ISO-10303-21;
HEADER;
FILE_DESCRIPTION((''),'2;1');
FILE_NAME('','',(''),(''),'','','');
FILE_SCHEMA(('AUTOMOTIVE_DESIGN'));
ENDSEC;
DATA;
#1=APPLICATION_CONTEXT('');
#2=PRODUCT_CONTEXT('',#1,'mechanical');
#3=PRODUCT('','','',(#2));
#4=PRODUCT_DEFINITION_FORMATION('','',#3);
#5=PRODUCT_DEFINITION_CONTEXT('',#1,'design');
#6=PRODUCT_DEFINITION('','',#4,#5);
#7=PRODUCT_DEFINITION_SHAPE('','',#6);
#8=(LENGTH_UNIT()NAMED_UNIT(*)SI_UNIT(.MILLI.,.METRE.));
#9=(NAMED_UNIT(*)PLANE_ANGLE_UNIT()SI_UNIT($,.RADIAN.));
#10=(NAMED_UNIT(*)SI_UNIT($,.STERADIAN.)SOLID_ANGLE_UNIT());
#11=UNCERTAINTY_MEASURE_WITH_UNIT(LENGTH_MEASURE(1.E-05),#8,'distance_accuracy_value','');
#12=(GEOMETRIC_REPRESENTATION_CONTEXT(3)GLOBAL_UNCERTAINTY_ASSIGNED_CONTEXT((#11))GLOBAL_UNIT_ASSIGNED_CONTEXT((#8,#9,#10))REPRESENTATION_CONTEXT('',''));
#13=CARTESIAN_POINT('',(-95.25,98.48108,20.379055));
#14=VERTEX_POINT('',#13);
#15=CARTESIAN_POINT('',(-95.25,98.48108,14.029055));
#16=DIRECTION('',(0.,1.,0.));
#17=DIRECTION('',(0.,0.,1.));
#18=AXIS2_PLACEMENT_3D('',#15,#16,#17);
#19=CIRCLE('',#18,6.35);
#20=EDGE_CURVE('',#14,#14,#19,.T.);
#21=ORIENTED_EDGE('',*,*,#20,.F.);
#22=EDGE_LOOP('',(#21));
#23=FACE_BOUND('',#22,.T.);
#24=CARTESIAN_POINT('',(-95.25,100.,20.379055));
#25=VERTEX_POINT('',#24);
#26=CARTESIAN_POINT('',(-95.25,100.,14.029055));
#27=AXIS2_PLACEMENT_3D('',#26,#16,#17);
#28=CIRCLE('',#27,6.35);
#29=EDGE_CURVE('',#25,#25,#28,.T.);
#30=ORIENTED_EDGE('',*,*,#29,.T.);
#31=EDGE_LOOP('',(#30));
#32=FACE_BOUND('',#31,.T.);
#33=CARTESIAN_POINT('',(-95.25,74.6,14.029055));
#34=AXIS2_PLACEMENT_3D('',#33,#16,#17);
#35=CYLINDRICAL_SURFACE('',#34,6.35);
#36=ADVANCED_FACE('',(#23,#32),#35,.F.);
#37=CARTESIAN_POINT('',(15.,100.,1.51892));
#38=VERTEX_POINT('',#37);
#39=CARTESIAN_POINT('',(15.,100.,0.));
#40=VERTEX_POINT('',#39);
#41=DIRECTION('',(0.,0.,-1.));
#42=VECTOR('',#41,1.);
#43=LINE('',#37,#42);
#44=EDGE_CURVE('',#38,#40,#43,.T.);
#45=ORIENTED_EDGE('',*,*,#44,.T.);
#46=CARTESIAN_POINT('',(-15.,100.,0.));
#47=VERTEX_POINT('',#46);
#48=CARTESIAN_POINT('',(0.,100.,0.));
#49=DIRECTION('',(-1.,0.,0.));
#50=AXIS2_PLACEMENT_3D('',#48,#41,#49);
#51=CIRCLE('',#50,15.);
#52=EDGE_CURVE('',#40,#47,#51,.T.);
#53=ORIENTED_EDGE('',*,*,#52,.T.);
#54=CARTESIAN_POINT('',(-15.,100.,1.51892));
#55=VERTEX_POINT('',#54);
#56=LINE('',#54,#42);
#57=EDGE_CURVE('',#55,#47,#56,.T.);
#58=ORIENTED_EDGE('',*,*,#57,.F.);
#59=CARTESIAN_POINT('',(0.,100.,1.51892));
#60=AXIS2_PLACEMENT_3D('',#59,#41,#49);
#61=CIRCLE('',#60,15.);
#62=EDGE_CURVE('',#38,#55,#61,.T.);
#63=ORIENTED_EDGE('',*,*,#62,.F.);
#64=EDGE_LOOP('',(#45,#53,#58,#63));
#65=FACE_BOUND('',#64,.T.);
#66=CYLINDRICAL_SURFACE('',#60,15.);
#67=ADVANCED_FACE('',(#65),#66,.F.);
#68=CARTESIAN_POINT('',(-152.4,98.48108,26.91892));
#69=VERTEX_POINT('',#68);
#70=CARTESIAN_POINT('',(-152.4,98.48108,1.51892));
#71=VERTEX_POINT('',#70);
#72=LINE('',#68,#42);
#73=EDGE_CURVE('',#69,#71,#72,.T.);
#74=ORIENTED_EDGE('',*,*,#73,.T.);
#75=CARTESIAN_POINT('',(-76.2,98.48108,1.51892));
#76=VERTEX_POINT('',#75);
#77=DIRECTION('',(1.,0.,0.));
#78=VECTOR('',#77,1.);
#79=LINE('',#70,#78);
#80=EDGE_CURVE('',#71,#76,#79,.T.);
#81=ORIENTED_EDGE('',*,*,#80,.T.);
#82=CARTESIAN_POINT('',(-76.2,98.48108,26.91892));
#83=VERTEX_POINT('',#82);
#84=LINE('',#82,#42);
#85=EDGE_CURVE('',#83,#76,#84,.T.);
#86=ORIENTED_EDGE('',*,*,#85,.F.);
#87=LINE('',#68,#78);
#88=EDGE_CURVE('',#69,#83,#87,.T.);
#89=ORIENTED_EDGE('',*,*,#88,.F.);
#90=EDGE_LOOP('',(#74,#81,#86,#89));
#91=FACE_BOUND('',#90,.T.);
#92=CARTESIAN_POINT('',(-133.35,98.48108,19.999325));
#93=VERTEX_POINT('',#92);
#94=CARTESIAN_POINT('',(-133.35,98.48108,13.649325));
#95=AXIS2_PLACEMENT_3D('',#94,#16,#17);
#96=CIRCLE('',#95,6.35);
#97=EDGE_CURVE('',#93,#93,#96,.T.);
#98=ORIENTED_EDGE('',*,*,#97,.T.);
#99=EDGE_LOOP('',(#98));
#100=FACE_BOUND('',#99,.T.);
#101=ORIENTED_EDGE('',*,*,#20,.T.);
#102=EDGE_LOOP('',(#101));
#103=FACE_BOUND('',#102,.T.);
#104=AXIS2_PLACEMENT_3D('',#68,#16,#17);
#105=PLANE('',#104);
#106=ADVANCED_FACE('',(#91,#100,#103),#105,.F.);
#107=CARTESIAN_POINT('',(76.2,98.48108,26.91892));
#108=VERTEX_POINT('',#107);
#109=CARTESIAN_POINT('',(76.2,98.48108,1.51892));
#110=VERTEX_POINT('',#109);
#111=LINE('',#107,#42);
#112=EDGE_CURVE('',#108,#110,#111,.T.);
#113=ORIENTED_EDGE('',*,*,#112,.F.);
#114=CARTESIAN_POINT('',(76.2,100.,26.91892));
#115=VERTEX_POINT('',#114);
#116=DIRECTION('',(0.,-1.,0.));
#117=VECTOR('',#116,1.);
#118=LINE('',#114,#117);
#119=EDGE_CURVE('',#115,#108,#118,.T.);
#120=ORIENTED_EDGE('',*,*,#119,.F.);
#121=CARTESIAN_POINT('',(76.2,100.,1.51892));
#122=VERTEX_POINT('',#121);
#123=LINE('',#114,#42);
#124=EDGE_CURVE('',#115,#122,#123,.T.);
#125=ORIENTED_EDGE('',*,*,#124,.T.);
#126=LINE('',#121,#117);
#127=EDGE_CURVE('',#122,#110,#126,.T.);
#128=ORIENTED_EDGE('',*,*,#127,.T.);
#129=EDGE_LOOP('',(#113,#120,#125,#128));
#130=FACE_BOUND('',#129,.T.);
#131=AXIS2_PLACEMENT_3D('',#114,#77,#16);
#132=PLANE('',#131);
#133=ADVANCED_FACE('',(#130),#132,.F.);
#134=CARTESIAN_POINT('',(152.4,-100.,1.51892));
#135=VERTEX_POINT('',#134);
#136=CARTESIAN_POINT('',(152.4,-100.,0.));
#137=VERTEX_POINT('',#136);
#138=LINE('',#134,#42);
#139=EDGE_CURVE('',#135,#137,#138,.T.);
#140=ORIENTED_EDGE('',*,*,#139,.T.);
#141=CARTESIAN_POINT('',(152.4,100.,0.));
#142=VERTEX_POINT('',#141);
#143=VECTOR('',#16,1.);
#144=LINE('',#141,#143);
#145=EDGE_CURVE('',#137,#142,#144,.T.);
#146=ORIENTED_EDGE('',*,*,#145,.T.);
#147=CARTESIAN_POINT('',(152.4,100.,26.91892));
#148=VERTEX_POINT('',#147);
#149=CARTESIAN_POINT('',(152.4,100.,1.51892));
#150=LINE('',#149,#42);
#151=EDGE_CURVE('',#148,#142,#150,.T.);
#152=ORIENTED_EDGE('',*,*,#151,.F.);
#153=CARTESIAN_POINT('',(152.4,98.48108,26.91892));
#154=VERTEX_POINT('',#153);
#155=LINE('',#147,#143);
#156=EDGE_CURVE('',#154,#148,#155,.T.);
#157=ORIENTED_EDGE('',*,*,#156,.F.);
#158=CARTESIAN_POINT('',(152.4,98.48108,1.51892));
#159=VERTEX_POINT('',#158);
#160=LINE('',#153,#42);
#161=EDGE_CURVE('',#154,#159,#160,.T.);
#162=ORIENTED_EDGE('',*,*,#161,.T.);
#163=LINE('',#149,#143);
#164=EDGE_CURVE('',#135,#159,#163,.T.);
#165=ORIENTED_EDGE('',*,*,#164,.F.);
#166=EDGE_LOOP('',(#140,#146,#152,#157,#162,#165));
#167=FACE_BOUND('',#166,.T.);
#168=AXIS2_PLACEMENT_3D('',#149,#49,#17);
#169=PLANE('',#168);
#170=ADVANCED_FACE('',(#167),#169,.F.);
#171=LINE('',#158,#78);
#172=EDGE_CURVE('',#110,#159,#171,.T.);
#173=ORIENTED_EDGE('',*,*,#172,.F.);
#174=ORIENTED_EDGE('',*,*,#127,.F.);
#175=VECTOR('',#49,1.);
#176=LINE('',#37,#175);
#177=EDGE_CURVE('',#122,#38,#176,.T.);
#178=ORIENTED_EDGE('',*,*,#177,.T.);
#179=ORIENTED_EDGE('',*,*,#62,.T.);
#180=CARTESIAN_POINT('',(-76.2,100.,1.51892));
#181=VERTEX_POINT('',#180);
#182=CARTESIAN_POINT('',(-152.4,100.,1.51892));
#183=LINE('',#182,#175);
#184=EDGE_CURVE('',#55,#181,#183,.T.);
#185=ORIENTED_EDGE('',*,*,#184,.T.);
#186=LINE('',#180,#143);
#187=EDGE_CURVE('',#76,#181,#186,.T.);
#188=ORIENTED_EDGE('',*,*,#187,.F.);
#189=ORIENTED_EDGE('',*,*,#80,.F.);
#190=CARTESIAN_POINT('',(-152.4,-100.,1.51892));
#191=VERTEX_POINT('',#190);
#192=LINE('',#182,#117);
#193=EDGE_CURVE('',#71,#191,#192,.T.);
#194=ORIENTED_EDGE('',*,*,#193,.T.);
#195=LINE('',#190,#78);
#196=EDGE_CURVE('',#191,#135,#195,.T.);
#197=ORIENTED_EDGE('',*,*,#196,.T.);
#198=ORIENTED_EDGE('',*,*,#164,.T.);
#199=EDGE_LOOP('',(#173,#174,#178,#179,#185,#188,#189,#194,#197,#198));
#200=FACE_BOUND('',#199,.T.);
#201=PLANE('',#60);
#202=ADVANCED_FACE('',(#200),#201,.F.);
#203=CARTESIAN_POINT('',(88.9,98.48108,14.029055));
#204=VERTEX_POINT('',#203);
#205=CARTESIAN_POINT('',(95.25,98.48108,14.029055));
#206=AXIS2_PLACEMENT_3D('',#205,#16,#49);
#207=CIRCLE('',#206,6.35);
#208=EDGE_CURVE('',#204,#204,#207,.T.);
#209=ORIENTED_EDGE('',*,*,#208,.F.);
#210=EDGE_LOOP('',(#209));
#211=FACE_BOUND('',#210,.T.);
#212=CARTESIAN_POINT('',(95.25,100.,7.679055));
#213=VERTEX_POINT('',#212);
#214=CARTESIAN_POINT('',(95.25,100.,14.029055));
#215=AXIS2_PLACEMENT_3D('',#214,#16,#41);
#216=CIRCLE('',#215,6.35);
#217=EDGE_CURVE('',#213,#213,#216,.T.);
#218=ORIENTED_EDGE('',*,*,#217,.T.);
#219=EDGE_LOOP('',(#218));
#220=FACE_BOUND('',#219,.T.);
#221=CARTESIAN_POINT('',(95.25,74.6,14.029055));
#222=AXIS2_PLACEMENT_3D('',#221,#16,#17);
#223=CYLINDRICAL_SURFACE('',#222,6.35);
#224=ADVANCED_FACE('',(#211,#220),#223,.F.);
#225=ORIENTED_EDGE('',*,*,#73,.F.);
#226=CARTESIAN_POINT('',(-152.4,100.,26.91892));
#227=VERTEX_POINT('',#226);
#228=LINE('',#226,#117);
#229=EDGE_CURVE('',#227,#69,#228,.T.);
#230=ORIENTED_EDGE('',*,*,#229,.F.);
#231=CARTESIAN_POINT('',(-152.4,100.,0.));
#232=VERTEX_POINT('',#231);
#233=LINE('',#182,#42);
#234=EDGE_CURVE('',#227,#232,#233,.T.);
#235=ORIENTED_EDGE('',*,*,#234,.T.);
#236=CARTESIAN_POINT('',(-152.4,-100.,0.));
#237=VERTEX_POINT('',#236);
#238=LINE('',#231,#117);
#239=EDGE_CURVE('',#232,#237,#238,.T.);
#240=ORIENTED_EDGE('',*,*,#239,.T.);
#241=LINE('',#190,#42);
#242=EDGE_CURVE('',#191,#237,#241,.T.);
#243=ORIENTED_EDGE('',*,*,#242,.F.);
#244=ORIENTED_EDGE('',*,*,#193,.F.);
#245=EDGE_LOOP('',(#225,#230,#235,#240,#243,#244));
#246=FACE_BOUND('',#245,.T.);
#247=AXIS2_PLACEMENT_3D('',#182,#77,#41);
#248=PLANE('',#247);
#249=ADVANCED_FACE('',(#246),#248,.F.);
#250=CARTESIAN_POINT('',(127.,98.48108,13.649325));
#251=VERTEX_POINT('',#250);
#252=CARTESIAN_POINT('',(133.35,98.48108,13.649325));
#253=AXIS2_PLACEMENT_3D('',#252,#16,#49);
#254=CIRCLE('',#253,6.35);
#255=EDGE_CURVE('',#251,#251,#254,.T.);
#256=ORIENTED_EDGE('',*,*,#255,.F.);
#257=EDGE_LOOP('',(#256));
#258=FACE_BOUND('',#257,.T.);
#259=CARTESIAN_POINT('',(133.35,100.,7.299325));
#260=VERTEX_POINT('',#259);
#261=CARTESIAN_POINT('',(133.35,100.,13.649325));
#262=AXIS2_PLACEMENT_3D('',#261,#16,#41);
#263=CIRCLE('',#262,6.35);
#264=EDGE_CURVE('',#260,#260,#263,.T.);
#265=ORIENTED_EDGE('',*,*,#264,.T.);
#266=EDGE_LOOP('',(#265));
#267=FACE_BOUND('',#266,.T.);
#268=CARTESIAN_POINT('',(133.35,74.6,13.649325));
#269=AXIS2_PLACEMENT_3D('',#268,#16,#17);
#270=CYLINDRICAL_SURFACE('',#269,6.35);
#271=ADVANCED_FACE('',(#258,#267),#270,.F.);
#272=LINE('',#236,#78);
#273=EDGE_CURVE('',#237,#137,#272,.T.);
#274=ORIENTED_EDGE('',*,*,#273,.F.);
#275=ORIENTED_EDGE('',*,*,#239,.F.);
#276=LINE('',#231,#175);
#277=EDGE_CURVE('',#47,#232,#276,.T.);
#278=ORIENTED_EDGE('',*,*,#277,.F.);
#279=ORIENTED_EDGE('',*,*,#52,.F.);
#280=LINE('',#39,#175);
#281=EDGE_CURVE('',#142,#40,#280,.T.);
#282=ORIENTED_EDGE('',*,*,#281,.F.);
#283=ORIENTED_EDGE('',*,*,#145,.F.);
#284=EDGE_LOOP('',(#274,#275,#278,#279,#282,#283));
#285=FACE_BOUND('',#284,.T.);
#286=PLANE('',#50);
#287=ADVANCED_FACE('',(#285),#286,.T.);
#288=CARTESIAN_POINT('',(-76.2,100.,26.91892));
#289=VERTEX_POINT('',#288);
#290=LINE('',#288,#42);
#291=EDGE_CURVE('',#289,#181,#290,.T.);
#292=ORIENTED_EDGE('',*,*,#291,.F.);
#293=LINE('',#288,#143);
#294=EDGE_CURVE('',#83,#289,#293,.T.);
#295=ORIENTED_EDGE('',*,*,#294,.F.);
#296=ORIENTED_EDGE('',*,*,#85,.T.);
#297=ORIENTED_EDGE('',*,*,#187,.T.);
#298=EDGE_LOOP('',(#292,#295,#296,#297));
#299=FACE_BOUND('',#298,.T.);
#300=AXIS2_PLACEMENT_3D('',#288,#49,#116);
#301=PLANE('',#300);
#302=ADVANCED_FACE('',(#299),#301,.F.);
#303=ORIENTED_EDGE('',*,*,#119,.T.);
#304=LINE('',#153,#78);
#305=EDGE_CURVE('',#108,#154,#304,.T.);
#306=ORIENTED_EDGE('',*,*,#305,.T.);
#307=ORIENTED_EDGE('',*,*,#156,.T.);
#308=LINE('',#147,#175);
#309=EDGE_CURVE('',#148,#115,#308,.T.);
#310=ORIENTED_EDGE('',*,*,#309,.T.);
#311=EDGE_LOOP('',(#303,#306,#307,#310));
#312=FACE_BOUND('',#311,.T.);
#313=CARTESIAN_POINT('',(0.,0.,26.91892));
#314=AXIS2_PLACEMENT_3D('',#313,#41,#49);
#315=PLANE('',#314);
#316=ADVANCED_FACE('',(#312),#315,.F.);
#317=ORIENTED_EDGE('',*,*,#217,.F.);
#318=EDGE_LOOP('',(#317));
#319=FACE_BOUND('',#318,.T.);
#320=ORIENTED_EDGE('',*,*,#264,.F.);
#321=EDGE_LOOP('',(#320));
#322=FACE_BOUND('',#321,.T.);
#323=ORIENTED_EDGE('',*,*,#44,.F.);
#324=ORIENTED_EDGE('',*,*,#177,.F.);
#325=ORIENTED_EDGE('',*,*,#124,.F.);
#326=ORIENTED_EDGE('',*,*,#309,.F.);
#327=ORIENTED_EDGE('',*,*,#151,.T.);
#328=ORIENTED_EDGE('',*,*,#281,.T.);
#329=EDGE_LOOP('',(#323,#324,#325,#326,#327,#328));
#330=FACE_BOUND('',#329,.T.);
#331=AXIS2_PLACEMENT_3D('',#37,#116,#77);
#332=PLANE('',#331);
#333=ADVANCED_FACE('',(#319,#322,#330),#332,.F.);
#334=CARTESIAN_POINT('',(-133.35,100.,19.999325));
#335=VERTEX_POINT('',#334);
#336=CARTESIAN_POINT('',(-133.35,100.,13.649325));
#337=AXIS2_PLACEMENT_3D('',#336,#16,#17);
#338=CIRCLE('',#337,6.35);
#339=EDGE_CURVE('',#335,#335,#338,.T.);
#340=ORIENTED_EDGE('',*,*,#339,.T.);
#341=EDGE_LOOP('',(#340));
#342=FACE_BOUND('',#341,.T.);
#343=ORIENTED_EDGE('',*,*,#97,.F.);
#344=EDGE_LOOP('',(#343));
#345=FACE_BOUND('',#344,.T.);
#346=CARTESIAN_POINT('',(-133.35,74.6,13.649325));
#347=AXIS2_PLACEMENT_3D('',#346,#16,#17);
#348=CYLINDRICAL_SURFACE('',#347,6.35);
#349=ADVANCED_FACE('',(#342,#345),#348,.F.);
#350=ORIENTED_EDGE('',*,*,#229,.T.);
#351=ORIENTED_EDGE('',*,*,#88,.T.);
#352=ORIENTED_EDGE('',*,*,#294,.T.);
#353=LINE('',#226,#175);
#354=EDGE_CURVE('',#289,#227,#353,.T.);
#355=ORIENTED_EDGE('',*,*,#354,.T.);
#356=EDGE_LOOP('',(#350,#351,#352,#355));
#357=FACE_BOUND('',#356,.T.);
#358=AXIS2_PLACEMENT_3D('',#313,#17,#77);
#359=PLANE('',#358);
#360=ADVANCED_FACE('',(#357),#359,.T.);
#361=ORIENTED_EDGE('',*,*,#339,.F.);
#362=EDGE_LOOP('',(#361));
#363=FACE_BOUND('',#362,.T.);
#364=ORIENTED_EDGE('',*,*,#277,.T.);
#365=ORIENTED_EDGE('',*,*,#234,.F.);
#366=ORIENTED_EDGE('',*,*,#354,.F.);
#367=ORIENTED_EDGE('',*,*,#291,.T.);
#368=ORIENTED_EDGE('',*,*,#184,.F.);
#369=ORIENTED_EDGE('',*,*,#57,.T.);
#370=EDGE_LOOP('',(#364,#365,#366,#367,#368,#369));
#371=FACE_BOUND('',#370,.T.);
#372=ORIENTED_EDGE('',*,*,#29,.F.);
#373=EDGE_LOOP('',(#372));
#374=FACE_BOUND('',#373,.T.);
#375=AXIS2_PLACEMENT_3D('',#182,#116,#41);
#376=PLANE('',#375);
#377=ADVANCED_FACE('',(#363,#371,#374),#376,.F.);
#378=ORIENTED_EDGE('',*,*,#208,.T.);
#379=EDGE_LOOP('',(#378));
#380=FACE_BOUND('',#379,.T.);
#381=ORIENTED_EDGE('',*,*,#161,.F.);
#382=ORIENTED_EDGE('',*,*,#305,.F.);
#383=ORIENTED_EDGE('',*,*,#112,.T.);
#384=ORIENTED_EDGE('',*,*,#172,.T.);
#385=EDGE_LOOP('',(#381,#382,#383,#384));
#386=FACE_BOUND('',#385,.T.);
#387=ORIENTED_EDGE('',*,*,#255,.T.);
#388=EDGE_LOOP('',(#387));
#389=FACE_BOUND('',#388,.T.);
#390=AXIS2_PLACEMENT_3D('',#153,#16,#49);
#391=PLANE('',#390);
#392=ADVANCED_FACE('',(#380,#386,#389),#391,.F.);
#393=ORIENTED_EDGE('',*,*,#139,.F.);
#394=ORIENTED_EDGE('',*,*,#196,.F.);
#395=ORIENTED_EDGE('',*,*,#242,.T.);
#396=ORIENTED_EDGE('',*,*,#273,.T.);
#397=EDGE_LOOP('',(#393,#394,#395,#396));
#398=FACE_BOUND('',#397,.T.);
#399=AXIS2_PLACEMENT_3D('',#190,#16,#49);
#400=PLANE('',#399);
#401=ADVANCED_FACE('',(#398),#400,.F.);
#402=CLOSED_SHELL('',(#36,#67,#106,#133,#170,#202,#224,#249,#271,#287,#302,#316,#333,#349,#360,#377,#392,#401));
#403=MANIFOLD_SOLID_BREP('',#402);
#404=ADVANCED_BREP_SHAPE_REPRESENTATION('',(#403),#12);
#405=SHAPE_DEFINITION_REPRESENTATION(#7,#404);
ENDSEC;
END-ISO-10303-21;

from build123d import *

# Parameters (mm, degrees)
BOTTOM_CENTER_CASING_DEPTH = 1.51892
SKETCH3_W                  = 76.2
SKETCH3_H                  = 1.51892
BOSS_EXTRUDE1_DEPTH        = 25.4
SKETCH4_R                  = 6.35
CUT_EXTRUDE1_DEPTH         = 25.4


with BuildPart() as part:
    # Sketch1 → Bottom Center Casing (new body)
    with BuildSketch(Plane.XY):
        with BuildLine():
            Line((-152.4, 100), (-15, 100))
            ThreePointArc((-15, 100), (0, 85), (15, 100))
            Line((15, 100), (152.4, 100))
            Line((152.4, 100), (152.4, -100))
            Line((152.4, -100), (-152.4, -100))
            Line((-152.4, -100), (-152.4, 100))
        make_face()
    extrude(amount=BOTTOM_CENTER_CASING_DEPTH)

    # Sketch3 → Boss-Extrude1 (add)
    with BuildSketch(Plane.XY.offset(1.51892)):
        with Locations((-114.3, 99.24054)):
            Rectangle(SKETCH3_W, SKETCH3_H)
        with Locations((114.3, 99.24054)):
            Rectangle(SKETCH3_W, SKETCH3_H)
    extrude(amount=BOSS_EXTRUDE1_DEPTH)

    # Sketch4 → Cut-Extrude1 (cut)
    with BuildSketch(Plane(origin=(0, 100, 0), x_dir=(1, 0, 0), z_dir=(0, 1, 0))):
        with Locations((-133.35, -13.649325)):
            Circle(SKETCH4_R)
        with Locations((-95.25, -14.029055)):
            Circle(SKETCH4_R)
        with Locations((95.25, -14.029055)):
            Circle(SKETCH4_R)
        with Locations((133.35, -13.649325)):
            Circle(SKETCH4_R)
    extrude(amount=-CUT_EXTRUDE1_DEPTH, mode=Mode.SUBTRACT)


solid = part.part
